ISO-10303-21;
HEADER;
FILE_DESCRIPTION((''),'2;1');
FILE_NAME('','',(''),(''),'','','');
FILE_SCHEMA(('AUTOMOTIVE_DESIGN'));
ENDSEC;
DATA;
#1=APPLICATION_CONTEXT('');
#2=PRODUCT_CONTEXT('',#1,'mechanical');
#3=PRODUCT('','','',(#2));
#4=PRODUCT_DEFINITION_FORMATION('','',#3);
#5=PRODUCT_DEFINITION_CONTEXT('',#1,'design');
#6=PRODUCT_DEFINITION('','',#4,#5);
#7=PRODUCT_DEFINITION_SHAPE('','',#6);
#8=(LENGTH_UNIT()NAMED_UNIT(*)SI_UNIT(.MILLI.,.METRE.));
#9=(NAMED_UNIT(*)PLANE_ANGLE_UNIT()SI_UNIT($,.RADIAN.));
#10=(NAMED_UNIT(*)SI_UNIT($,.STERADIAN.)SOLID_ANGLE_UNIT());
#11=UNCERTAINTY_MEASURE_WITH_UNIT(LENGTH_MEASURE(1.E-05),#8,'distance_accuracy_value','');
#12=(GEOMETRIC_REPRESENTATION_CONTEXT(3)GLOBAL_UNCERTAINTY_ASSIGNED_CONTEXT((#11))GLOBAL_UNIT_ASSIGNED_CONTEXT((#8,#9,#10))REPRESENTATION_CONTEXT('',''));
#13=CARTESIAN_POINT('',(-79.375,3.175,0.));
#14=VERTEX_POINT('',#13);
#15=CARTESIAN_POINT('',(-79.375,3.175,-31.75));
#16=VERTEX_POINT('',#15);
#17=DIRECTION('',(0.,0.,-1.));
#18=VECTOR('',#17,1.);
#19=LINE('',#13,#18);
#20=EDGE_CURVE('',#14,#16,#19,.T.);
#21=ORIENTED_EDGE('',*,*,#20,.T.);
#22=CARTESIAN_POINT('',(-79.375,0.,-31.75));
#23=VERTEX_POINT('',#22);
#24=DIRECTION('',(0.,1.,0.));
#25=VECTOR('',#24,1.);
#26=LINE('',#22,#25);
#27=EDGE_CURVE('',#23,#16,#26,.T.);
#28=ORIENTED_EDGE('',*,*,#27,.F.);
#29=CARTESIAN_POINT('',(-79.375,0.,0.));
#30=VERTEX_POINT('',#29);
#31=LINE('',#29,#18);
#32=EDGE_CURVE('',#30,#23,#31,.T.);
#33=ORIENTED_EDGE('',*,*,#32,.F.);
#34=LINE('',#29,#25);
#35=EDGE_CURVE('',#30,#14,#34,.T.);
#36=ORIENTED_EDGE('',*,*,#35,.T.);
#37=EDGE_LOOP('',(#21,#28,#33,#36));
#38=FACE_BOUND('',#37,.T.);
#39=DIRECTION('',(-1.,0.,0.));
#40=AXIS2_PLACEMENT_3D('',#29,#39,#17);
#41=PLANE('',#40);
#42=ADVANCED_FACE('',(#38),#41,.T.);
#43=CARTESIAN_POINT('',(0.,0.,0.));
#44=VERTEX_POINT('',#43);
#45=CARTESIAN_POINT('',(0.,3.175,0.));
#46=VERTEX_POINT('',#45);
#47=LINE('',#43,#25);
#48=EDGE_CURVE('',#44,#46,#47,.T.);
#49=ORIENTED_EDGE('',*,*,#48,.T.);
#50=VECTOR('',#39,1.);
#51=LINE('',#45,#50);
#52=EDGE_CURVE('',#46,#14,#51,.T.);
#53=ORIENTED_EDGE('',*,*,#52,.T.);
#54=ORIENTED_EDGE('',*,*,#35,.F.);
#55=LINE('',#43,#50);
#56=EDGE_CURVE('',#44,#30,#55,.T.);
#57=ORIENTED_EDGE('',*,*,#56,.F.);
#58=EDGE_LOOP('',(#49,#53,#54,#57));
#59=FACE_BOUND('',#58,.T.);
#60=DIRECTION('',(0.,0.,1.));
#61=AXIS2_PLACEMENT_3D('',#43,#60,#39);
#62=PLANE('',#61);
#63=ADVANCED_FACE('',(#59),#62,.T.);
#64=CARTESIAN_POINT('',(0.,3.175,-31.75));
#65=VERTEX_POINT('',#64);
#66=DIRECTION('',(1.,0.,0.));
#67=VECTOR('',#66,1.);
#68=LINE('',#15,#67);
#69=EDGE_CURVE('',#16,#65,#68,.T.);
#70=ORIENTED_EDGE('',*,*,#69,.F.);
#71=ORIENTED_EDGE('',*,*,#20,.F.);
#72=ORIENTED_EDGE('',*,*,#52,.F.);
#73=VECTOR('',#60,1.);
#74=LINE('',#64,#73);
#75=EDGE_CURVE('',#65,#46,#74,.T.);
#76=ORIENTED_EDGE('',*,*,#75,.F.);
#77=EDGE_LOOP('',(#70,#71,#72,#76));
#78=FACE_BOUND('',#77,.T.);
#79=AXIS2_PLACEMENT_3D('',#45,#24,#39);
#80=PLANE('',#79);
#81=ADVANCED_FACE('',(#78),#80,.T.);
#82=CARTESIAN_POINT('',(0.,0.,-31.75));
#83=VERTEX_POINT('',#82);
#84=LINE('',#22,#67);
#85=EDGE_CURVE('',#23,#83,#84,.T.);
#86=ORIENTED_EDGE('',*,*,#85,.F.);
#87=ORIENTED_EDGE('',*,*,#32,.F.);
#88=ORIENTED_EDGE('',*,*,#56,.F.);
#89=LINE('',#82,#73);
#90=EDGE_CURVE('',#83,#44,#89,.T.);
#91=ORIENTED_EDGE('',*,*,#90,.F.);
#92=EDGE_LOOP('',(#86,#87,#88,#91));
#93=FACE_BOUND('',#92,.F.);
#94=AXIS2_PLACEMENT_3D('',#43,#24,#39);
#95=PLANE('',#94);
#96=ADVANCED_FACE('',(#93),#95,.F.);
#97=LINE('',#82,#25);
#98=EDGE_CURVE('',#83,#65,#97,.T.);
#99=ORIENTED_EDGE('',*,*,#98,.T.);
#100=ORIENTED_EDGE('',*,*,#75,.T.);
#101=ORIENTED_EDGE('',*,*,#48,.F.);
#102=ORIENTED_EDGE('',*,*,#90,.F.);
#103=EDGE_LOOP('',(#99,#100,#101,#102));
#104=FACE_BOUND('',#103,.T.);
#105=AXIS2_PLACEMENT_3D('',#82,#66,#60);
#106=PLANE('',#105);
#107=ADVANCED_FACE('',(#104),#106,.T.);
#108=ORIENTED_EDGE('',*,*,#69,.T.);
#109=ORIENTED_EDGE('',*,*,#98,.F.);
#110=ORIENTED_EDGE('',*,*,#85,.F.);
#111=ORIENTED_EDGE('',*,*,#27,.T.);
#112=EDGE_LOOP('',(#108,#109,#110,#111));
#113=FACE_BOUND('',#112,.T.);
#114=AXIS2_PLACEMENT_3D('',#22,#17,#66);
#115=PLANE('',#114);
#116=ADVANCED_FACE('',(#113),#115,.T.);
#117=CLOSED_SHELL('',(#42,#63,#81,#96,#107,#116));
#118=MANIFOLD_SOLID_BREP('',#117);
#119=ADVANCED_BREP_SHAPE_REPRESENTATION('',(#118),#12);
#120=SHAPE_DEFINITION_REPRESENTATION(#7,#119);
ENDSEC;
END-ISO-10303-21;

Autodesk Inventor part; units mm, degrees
ref_plane "YZ Plane" through (0, 0, 0) normal (1, 0, 0) x (0, 1, 0)
ref_plane "XZ Plane" through (0, 0, 0) normal (0, 1, 0) x (-1, 0, 0)
ref_plane "XY Plane" through (0, 0, 0) normal (0, 0, 1) x (1, 0, 0)
sketch "Sketch1" plane through (0, 0, 0) normal (0, 1, 0) x (-1, 0, 0)
  line L0 (0, 0) -> (79.375, 0)
  line L1 (79.375, 0) -> (79.375, -31.75)
  line L2 (79.375, -31.75) -> (0, -31.75)
  line L3 (0, -31.75) -> (0, 0)
  dimension "d0" = 79.375
  dimension "d1" = 31.75
extrude "Extrusion1" add sketch "Sketch1" along normal blind 3.175
properties part number "bucket holder plate" material "Aluminum 6061"
